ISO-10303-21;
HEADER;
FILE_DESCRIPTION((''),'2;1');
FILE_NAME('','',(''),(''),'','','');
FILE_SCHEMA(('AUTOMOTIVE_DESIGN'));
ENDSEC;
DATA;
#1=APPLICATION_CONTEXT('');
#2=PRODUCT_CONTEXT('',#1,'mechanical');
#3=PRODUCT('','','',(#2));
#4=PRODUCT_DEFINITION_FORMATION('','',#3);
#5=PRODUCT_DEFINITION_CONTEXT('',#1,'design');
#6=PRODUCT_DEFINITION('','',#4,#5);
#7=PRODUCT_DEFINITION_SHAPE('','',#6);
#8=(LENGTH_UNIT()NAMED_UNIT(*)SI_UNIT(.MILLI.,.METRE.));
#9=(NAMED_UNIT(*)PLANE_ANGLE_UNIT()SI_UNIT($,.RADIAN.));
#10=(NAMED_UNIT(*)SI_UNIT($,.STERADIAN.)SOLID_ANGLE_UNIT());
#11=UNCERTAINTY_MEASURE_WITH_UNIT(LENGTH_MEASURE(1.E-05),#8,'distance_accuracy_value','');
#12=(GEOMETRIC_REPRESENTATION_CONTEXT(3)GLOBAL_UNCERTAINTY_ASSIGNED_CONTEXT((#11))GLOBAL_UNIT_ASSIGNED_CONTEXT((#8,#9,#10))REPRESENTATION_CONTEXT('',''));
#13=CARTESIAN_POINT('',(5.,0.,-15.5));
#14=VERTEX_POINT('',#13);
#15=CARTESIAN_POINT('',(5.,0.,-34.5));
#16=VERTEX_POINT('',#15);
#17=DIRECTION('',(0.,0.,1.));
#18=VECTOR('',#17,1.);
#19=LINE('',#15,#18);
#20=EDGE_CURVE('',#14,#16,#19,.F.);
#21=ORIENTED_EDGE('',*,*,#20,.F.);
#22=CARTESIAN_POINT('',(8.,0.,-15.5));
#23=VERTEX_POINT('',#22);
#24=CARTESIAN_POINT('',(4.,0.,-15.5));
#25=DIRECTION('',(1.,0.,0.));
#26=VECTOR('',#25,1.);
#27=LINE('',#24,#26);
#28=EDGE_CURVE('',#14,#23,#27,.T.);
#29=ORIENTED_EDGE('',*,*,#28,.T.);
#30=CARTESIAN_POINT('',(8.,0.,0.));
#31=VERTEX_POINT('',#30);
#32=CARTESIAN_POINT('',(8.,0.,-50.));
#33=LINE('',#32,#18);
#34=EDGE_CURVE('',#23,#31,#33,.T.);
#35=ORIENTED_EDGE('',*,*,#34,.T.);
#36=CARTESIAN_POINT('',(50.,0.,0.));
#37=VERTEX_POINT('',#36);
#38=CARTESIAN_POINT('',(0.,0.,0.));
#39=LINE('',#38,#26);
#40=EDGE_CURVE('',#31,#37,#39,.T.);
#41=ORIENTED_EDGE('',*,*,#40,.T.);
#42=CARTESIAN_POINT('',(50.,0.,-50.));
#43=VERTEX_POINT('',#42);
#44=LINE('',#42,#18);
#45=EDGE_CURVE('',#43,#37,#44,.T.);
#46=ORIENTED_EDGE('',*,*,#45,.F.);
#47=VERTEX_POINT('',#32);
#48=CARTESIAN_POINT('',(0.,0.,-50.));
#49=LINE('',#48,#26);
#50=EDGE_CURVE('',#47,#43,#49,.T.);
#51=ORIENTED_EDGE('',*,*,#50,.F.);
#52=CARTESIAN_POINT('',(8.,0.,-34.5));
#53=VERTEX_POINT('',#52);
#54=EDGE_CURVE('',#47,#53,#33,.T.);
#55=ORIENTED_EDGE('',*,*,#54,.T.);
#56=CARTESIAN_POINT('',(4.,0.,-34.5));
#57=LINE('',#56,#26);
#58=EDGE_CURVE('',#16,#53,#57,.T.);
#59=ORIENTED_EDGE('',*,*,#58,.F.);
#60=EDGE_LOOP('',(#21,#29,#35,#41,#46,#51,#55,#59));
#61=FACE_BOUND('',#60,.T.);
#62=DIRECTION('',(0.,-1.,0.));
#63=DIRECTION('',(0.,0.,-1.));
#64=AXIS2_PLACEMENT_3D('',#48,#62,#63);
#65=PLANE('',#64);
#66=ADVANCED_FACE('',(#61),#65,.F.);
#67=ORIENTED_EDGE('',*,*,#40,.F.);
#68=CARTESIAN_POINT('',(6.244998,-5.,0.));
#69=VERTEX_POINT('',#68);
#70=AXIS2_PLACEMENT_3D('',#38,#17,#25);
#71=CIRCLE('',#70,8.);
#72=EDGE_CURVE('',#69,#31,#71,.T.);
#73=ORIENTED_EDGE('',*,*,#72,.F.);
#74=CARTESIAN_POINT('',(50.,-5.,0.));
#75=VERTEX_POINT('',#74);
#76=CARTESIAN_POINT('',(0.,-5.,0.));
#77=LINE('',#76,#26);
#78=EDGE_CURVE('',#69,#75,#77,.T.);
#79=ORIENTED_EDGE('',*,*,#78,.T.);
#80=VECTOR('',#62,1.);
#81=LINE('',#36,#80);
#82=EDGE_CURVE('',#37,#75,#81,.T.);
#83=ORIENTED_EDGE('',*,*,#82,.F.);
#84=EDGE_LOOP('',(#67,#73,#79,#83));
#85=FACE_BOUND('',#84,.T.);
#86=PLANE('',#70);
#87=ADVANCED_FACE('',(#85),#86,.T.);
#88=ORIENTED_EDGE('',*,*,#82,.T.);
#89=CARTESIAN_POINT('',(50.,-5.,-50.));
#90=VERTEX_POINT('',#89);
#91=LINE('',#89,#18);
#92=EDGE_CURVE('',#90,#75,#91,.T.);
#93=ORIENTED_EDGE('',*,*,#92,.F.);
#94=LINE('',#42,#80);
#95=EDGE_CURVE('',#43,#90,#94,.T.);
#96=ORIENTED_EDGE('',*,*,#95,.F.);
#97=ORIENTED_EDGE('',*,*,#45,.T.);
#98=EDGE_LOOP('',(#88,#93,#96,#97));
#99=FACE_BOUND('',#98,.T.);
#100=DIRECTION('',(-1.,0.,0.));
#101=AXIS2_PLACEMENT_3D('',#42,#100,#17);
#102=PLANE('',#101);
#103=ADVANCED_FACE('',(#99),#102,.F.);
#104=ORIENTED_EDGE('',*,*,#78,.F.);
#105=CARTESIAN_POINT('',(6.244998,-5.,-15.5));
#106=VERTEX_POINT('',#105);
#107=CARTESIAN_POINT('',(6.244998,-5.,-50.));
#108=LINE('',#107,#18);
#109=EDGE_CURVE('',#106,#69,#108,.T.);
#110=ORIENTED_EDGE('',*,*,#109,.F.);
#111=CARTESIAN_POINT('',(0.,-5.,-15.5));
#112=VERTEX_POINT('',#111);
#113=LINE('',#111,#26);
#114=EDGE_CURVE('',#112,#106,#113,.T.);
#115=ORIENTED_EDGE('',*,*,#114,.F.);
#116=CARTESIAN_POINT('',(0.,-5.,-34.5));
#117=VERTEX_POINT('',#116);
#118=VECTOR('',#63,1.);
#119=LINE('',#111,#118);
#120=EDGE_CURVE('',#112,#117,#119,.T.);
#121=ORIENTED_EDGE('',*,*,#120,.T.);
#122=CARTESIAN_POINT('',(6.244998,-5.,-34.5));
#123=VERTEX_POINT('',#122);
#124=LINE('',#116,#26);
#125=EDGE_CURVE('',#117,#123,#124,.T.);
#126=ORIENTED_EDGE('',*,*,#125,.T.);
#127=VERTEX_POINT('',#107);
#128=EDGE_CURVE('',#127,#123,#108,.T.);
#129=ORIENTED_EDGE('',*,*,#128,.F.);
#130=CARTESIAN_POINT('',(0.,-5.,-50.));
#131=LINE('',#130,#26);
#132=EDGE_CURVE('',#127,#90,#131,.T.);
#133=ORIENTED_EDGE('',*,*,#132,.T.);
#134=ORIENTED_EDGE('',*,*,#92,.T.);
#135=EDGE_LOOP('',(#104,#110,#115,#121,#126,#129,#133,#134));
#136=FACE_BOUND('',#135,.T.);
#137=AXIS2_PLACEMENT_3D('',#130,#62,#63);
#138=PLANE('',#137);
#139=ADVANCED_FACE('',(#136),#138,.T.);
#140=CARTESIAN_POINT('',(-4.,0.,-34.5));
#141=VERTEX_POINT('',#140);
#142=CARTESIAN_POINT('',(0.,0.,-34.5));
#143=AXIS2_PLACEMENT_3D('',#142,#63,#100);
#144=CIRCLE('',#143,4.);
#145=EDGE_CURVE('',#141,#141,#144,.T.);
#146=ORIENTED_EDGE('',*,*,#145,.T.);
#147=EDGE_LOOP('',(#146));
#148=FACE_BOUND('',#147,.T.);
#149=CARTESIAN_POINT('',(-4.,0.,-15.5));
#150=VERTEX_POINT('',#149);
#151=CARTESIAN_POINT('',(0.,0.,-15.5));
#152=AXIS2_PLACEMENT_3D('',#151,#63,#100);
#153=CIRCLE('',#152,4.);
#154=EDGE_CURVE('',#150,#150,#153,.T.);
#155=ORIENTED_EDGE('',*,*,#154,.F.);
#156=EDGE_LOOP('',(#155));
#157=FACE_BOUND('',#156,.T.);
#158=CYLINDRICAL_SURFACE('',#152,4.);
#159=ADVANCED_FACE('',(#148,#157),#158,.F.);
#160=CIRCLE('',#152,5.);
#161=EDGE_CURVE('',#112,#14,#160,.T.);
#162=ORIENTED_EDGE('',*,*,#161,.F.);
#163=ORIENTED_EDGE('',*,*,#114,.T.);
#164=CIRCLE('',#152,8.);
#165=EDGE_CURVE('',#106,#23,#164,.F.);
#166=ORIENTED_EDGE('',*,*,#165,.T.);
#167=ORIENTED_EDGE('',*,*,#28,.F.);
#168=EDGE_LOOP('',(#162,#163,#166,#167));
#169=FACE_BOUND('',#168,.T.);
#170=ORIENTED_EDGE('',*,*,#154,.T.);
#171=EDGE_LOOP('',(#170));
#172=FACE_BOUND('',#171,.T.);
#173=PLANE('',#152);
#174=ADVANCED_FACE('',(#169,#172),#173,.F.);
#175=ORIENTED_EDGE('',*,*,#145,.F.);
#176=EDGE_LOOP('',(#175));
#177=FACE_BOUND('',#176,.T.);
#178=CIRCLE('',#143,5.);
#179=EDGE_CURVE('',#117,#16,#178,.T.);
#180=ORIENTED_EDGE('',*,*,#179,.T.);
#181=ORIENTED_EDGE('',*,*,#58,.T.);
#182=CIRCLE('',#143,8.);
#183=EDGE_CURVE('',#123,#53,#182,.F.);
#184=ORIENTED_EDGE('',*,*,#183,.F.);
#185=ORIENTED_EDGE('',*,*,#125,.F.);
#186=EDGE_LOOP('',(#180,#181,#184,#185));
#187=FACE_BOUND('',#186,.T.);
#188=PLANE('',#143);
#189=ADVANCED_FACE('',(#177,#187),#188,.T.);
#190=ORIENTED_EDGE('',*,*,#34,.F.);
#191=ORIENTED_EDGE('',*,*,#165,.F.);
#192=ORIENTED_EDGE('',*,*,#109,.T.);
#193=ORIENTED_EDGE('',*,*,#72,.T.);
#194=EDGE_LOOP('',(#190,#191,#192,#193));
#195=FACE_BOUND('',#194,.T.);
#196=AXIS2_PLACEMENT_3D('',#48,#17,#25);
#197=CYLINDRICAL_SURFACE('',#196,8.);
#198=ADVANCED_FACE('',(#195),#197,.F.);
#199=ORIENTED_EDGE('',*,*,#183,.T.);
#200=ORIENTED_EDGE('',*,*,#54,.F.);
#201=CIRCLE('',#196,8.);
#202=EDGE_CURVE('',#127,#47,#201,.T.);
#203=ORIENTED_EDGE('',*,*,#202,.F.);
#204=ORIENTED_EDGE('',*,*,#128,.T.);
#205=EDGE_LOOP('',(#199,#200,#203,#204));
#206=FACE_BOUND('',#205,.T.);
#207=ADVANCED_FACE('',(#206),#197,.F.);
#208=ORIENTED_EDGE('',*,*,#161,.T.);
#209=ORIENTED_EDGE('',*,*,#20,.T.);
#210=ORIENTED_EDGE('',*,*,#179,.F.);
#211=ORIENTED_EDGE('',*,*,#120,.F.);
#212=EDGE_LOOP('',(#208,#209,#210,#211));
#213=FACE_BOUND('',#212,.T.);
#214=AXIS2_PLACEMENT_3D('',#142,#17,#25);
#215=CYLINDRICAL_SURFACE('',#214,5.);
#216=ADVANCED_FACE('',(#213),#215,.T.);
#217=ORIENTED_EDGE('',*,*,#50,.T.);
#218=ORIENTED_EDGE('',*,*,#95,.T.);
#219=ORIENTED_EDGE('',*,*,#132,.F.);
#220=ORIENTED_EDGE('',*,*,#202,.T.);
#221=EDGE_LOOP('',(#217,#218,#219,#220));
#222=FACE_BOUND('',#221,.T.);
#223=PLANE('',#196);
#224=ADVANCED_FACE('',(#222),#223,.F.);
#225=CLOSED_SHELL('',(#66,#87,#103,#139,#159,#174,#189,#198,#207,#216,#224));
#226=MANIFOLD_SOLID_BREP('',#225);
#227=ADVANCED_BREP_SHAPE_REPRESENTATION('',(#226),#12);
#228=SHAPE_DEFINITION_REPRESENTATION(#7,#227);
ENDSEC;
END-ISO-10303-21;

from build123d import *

# Parameters (mm, degrees)
SKETCH1_W           = 50
SKETCH1_H           = 5
BOSS_EXTRUDE1_DEPTH = 50
SKETCH2_R           = 8
CUT_EXTRUDE1_DEPTH  = 50
SKETCH3_R           = 5
SKETCH3_R_2         = 4
BOSS_EXTRUDE2_DEPTH = 19
BOSS_EXTRUDE4_DEPTH = 19


with BuildPart() as part:
    # Sketch1 → Boss-Extrude1 (new body)
    with BuildSketch(Plane.XY):
        with Locations((25, -2.5)):
            Rectangle(SKETCH1_W, SKETCH1_H)
    extrude(amount=-BOSS_EXTRUDE1_DEPTH)

    # Sketch2 → Cut-Extrude1 (cut)
    with BuildSketch(Plane.XY):
        Circle(SKETCH2_R)
    extrude(amount=-CUT_EXTRUDE1_DEPTH, mode=Mode.SUBTRACT)



with BuildPart() as body_2:
    # Sketch3 → Boss-Extrude2 (new body)
    with BuildSketch(Plane(origin=(0, 0, -15.5), x_dir=(-1, 0, 0), z_dir=(0, 0, -1))):
        Circle(SKETCH3_R)
        Circle(SKETCH3_R_2, mode=Mode.SUBTRACT)
    extrude(amount=BOSS_EXTRUDE2_DEPTH)


with BuildPart() as part_1:
    add(part.part)

    add(body_2.part)  # Boss-Extrude4 merges body 2
    # Sketch8 → Boss-Extrude4 (add)
    with BuildSketch(Plane(origin=(0, 0, -34.5), x_dir=(-1, 0, 0), z_dir=(0, 0, -1))):
        with BuildLine():
            Line((-4, 0), (-10, 0))
            Line((-10, 0), (-10, -5))
            Line((-10, -5), (0, -5))
            Line((0, -5), (0, -4))
            ThreePointArc((0, -4), (-2.828427125, -2.828427125), (-4, 0))
        make_face()
    extrude(amount=-BOSS_EXTRUDE4_DEPTH)


solid = part_1.part
